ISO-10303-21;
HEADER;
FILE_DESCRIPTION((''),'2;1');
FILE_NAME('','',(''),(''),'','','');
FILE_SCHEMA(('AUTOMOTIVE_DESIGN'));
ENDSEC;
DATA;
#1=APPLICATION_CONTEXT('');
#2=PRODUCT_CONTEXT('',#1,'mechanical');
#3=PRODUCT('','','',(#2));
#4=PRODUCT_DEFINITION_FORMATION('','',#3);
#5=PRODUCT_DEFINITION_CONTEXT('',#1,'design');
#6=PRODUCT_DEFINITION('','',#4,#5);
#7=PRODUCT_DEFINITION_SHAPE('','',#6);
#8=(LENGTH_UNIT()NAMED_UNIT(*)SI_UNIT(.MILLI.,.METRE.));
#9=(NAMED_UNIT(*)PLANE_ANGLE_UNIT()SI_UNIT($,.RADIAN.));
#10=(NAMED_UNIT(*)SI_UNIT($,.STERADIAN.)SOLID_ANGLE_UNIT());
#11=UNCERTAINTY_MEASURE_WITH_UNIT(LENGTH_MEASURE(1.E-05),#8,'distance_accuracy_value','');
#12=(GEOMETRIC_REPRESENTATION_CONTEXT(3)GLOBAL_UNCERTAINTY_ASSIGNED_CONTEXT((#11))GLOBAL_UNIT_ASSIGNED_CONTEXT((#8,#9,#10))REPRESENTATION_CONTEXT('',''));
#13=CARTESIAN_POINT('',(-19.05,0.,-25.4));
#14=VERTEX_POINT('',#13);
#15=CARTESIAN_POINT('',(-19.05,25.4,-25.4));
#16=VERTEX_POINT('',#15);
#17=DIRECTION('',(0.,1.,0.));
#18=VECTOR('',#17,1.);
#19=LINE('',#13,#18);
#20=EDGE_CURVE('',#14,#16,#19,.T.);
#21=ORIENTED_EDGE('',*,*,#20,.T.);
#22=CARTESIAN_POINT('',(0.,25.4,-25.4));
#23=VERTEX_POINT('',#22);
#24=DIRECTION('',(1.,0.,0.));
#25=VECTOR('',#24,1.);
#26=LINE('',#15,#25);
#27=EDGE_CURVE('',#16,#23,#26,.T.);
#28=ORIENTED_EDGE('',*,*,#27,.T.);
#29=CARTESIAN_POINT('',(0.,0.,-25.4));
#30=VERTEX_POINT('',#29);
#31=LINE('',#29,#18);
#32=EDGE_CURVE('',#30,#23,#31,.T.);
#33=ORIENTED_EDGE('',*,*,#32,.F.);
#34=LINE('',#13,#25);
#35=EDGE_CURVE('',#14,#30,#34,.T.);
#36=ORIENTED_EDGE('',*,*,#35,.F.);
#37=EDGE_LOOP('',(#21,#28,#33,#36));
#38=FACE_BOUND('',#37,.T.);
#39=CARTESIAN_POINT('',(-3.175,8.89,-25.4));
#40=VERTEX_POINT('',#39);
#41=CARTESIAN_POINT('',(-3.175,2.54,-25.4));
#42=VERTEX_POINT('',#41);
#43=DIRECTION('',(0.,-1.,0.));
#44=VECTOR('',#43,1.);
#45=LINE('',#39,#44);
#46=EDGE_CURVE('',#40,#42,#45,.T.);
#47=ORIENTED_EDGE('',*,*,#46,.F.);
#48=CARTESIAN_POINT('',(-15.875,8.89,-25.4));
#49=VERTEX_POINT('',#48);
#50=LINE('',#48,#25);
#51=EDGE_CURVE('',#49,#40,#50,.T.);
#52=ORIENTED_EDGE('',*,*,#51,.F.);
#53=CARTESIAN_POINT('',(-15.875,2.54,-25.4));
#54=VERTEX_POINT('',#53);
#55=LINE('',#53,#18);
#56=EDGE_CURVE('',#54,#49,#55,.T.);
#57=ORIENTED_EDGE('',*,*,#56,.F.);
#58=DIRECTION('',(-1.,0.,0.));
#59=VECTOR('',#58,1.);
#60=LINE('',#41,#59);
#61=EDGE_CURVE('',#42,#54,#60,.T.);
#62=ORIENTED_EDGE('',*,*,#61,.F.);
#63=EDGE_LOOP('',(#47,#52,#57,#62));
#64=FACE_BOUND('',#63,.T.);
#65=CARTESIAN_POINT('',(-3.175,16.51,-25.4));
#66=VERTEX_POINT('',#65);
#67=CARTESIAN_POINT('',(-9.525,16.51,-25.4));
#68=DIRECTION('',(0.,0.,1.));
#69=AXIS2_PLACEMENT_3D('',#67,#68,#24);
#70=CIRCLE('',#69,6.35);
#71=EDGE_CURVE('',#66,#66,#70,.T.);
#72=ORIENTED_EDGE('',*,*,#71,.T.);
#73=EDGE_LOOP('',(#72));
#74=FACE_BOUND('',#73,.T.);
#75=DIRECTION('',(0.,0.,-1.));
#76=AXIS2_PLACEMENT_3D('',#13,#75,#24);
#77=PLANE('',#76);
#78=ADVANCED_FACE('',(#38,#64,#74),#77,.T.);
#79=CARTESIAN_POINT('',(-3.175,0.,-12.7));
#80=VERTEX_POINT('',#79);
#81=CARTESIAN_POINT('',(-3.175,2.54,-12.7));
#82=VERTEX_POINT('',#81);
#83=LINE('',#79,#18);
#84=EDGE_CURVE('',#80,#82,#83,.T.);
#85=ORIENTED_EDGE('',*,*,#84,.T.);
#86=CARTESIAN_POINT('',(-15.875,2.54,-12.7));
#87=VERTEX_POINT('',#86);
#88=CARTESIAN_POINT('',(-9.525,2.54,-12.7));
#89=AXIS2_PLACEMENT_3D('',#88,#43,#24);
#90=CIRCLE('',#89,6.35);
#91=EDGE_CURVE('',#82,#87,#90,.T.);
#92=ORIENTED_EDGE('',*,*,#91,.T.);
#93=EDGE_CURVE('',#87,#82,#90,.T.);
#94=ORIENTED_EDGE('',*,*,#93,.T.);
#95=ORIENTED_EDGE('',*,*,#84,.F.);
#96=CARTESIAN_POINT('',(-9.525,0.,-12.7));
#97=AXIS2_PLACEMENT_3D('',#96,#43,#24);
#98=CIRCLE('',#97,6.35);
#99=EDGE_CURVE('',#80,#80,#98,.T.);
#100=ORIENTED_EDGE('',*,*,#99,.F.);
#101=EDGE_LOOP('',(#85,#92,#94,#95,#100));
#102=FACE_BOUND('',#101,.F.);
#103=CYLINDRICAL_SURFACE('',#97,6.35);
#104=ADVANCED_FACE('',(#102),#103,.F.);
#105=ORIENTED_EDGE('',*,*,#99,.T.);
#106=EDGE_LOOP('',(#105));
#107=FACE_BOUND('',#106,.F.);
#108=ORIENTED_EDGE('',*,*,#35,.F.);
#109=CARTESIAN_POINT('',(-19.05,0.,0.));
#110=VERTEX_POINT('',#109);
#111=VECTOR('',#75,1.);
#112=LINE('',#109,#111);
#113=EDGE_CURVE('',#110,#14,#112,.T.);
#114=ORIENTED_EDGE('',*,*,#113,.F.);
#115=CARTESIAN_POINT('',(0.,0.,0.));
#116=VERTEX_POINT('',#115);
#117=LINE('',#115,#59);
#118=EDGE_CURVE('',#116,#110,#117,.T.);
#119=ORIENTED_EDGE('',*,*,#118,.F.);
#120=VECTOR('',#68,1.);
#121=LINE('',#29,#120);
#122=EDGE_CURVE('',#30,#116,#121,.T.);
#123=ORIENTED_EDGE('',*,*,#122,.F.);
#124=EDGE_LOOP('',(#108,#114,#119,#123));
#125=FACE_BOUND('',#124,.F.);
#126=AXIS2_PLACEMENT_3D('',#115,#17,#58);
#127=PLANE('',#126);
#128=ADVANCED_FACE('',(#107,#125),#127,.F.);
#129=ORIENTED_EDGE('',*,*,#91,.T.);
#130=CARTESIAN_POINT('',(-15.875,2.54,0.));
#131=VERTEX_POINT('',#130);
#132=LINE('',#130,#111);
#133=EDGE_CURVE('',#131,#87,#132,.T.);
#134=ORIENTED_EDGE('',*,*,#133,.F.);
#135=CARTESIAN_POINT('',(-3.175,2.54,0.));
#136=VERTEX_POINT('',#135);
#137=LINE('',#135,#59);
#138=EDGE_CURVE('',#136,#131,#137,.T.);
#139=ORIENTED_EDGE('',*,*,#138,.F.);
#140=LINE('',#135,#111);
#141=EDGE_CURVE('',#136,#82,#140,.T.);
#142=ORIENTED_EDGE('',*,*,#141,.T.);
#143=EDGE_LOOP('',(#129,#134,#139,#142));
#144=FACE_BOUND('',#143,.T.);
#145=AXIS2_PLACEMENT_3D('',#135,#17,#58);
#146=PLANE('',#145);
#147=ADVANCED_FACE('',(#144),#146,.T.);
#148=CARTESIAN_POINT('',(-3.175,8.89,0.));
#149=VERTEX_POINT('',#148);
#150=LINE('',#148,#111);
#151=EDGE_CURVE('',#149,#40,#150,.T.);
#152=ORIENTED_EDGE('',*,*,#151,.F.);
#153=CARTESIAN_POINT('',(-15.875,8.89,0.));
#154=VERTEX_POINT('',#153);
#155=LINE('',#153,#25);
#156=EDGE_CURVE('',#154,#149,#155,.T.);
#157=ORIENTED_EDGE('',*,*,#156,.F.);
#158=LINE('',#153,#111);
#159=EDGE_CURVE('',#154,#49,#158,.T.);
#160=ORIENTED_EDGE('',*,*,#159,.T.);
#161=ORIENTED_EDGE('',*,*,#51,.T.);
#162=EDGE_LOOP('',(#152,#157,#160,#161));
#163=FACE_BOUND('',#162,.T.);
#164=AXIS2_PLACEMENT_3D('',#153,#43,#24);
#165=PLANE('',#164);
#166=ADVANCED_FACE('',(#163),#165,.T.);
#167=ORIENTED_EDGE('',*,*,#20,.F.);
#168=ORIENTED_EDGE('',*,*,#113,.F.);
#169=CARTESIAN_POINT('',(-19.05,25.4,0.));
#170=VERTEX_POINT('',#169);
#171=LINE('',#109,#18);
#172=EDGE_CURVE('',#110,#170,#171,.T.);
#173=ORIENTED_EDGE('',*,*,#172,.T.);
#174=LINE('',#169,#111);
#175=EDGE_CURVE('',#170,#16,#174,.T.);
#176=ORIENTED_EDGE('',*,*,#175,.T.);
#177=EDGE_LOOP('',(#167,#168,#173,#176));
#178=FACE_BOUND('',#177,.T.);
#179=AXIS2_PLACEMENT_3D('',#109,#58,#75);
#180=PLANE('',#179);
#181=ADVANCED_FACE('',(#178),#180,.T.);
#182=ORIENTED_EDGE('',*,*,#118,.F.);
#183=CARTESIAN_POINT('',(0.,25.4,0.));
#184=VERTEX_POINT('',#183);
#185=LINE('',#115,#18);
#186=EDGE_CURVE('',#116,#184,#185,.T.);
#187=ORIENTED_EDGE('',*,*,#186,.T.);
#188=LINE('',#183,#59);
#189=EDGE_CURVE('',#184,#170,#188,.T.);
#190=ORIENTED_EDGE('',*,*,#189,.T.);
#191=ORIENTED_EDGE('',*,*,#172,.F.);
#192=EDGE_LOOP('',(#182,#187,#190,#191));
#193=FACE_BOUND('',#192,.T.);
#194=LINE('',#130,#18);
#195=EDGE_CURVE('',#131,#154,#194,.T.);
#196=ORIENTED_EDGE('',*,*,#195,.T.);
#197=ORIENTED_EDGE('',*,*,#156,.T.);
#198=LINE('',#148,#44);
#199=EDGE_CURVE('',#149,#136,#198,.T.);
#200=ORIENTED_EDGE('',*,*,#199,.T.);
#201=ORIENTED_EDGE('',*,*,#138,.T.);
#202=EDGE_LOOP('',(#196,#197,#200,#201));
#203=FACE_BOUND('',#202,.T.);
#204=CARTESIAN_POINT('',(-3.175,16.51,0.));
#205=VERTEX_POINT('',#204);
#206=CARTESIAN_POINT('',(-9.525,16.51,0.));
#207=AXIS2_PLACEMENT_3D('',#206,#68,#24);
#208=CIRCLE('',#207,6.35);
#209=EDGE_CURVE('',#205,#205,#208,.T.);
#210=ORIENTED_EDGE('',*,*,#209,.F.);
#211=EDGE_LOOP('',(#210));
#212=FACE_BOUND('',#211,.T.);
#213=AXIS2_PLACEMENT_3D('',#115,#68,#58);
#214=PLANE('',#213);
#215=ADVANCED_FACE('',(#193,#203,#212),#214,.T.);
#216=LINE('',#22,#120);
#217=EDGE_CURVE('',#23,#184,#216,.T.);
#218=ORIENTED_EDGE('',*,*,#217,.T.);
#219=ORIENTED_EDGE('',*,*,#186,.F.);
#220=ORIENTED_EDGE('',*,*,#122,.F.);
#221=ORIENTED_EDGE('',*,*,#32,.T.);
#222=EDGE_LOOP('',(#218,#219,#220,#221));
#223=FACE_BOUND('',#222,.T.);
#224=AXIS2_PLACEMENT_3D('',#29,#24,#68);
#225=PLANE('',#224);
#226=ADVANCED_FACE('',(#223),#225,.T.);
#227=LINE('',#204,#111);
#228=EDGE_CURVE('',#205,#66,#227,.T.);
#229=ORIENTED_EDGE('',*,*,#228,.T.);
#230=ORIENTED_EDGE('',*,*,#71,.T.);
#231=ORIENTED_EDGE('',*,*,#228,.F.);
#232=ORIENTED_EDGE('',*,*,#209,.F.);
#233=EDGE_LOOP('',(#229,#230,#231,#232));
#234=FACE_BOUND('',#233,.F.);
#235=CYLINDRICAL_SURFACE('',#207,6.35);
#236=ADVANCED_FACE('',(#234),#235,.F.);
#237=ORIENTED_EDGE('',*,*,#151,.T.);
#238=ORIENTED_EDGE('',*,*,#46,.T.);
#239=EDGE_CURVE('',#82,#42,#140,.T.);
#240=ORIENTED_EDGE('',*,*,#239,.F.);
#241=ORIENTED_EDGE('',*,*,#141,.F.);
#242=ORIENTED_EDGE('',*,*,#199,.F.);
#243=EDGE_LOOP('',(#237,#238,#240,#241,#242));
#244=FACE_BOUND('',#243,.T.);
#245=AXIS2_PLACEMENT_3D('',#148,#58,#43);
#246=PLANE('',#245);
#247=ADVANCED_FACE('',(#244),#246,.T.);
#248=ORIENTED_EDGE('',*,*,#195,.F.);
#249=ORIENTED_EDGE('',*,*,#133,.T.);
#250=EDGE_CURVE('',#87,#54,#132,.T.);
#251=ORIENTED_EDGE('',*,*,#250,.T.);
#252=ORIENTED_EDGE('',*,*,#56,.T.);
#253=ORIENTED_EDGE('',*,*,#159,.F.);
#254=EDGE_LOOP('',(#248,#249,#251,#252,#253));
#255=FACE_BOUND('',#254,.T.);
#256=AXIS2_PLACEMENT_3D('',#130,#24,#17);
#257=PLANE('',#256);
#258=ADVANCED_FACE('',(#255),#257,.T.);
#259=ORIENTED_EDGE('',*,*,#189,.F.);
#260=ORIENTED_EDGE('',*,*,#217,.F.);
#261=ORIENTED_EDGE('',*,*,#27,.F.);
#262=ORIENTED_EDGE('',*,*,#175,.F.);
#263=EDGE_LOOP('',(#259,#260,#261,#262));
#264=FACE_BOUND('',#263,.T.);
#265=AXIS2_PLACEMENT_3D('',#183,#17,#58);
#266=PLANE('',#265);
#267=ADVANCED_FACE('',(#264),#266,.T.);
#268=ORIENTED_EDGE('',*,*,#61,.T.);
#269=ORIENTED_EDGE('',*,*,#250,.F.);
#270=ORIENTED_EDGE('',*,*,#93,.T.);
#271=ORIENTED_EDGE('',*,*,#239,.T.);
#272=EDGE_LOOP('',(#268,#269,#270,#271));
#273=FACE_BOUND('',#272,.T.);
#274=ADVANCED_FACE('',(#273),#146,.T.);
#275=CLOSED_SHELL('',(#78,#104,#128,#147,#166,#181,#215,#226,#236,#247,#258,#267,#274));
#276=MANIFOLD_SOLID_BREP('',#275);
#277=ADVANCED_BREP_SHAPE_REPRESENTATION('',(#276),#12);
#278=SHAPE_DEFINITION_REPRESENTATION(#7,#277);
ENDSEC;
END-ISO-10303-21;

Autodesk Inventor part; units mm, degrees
ref_plane "YZ Plane" through (0, 0, 0) normal (1, 0, 0) x (0, 1, 0)
ref_plane "XZ Plane" through (0, 0, 0) normal (0, 1, 0) x (-1, 0, 0)
ref_plane "XY Plane" through (0, 0, 0) normal (0, 0, 1) x (1, 0, 0)
sketch "Sketch1" plane through (0, 0, 0) normal (0, 1, 0) x (-1, 0, 0)
  line L0 (0, 0) -> (19.05, 0)
  line L1 (19.05, 0) -> (19.05, -25.4)
  line L2 (19.05, -25.4) -> (0, -25.4)
  line L3 (0, -25.4) -> (0, 0)
  dimension "d0" = 19.05
  dimension "d1" = 25.4
extrude "Extrusion1" add sketch "Sketch1" along normal blind 25.4
sketch "Sketch2" plane through (-19.05, 0, 0) normal (0, 0, 1) x (1, 0, 0)
  circle A0 centre (9.525, 16.51) radius 6.35
  line L0 (0, 25.4) -> (19.05, 25.4) projected
  line L1 (3.175, 8.89) -> (15.875, 8.89)
  line L2 (15.875, 8.89) -> (15.875, 2.54)
  line L3 (15.875, 2.54) -> (3.175, 2.54)
  line L4 (3.175, 2.54) -> (3.175, 8.89)
  line L5 (0, 0) -> (0, 25.4) projected
  line L6 (19.05, 0) -> (19.05, 25.4) projected
  line L7 (19.05, 0) -> (0, 0) projected
  dimension "d4" = 12.7
  dimension "d5" = 8.89
  dimension "d6" = 12.7
  dimension "d7" = 19.05
  dimension "d8" = 6.35
  dimension "d9" = 3.175
  dimension "d10" = 3.175
  dimension "d16" = 2.54
extrude "Extrusion2" cut sketch "Sketch2" against normal blind 25.4 contours A0 | L1 L2 L3 L4
sketch "Sketch3" plane through (0, 0, 0) normal (0, -1, 0) x (1, 0, 0)
  circle A0 centre (-9.525, -12.7) radius 6.35
  point P0 (0, 0)
  dimension "d13" = 12.7
extrude "Extrusion3" cut sketch "Sketch3" against normal blind 3.175
properties part number "Pivot Poin 3"
